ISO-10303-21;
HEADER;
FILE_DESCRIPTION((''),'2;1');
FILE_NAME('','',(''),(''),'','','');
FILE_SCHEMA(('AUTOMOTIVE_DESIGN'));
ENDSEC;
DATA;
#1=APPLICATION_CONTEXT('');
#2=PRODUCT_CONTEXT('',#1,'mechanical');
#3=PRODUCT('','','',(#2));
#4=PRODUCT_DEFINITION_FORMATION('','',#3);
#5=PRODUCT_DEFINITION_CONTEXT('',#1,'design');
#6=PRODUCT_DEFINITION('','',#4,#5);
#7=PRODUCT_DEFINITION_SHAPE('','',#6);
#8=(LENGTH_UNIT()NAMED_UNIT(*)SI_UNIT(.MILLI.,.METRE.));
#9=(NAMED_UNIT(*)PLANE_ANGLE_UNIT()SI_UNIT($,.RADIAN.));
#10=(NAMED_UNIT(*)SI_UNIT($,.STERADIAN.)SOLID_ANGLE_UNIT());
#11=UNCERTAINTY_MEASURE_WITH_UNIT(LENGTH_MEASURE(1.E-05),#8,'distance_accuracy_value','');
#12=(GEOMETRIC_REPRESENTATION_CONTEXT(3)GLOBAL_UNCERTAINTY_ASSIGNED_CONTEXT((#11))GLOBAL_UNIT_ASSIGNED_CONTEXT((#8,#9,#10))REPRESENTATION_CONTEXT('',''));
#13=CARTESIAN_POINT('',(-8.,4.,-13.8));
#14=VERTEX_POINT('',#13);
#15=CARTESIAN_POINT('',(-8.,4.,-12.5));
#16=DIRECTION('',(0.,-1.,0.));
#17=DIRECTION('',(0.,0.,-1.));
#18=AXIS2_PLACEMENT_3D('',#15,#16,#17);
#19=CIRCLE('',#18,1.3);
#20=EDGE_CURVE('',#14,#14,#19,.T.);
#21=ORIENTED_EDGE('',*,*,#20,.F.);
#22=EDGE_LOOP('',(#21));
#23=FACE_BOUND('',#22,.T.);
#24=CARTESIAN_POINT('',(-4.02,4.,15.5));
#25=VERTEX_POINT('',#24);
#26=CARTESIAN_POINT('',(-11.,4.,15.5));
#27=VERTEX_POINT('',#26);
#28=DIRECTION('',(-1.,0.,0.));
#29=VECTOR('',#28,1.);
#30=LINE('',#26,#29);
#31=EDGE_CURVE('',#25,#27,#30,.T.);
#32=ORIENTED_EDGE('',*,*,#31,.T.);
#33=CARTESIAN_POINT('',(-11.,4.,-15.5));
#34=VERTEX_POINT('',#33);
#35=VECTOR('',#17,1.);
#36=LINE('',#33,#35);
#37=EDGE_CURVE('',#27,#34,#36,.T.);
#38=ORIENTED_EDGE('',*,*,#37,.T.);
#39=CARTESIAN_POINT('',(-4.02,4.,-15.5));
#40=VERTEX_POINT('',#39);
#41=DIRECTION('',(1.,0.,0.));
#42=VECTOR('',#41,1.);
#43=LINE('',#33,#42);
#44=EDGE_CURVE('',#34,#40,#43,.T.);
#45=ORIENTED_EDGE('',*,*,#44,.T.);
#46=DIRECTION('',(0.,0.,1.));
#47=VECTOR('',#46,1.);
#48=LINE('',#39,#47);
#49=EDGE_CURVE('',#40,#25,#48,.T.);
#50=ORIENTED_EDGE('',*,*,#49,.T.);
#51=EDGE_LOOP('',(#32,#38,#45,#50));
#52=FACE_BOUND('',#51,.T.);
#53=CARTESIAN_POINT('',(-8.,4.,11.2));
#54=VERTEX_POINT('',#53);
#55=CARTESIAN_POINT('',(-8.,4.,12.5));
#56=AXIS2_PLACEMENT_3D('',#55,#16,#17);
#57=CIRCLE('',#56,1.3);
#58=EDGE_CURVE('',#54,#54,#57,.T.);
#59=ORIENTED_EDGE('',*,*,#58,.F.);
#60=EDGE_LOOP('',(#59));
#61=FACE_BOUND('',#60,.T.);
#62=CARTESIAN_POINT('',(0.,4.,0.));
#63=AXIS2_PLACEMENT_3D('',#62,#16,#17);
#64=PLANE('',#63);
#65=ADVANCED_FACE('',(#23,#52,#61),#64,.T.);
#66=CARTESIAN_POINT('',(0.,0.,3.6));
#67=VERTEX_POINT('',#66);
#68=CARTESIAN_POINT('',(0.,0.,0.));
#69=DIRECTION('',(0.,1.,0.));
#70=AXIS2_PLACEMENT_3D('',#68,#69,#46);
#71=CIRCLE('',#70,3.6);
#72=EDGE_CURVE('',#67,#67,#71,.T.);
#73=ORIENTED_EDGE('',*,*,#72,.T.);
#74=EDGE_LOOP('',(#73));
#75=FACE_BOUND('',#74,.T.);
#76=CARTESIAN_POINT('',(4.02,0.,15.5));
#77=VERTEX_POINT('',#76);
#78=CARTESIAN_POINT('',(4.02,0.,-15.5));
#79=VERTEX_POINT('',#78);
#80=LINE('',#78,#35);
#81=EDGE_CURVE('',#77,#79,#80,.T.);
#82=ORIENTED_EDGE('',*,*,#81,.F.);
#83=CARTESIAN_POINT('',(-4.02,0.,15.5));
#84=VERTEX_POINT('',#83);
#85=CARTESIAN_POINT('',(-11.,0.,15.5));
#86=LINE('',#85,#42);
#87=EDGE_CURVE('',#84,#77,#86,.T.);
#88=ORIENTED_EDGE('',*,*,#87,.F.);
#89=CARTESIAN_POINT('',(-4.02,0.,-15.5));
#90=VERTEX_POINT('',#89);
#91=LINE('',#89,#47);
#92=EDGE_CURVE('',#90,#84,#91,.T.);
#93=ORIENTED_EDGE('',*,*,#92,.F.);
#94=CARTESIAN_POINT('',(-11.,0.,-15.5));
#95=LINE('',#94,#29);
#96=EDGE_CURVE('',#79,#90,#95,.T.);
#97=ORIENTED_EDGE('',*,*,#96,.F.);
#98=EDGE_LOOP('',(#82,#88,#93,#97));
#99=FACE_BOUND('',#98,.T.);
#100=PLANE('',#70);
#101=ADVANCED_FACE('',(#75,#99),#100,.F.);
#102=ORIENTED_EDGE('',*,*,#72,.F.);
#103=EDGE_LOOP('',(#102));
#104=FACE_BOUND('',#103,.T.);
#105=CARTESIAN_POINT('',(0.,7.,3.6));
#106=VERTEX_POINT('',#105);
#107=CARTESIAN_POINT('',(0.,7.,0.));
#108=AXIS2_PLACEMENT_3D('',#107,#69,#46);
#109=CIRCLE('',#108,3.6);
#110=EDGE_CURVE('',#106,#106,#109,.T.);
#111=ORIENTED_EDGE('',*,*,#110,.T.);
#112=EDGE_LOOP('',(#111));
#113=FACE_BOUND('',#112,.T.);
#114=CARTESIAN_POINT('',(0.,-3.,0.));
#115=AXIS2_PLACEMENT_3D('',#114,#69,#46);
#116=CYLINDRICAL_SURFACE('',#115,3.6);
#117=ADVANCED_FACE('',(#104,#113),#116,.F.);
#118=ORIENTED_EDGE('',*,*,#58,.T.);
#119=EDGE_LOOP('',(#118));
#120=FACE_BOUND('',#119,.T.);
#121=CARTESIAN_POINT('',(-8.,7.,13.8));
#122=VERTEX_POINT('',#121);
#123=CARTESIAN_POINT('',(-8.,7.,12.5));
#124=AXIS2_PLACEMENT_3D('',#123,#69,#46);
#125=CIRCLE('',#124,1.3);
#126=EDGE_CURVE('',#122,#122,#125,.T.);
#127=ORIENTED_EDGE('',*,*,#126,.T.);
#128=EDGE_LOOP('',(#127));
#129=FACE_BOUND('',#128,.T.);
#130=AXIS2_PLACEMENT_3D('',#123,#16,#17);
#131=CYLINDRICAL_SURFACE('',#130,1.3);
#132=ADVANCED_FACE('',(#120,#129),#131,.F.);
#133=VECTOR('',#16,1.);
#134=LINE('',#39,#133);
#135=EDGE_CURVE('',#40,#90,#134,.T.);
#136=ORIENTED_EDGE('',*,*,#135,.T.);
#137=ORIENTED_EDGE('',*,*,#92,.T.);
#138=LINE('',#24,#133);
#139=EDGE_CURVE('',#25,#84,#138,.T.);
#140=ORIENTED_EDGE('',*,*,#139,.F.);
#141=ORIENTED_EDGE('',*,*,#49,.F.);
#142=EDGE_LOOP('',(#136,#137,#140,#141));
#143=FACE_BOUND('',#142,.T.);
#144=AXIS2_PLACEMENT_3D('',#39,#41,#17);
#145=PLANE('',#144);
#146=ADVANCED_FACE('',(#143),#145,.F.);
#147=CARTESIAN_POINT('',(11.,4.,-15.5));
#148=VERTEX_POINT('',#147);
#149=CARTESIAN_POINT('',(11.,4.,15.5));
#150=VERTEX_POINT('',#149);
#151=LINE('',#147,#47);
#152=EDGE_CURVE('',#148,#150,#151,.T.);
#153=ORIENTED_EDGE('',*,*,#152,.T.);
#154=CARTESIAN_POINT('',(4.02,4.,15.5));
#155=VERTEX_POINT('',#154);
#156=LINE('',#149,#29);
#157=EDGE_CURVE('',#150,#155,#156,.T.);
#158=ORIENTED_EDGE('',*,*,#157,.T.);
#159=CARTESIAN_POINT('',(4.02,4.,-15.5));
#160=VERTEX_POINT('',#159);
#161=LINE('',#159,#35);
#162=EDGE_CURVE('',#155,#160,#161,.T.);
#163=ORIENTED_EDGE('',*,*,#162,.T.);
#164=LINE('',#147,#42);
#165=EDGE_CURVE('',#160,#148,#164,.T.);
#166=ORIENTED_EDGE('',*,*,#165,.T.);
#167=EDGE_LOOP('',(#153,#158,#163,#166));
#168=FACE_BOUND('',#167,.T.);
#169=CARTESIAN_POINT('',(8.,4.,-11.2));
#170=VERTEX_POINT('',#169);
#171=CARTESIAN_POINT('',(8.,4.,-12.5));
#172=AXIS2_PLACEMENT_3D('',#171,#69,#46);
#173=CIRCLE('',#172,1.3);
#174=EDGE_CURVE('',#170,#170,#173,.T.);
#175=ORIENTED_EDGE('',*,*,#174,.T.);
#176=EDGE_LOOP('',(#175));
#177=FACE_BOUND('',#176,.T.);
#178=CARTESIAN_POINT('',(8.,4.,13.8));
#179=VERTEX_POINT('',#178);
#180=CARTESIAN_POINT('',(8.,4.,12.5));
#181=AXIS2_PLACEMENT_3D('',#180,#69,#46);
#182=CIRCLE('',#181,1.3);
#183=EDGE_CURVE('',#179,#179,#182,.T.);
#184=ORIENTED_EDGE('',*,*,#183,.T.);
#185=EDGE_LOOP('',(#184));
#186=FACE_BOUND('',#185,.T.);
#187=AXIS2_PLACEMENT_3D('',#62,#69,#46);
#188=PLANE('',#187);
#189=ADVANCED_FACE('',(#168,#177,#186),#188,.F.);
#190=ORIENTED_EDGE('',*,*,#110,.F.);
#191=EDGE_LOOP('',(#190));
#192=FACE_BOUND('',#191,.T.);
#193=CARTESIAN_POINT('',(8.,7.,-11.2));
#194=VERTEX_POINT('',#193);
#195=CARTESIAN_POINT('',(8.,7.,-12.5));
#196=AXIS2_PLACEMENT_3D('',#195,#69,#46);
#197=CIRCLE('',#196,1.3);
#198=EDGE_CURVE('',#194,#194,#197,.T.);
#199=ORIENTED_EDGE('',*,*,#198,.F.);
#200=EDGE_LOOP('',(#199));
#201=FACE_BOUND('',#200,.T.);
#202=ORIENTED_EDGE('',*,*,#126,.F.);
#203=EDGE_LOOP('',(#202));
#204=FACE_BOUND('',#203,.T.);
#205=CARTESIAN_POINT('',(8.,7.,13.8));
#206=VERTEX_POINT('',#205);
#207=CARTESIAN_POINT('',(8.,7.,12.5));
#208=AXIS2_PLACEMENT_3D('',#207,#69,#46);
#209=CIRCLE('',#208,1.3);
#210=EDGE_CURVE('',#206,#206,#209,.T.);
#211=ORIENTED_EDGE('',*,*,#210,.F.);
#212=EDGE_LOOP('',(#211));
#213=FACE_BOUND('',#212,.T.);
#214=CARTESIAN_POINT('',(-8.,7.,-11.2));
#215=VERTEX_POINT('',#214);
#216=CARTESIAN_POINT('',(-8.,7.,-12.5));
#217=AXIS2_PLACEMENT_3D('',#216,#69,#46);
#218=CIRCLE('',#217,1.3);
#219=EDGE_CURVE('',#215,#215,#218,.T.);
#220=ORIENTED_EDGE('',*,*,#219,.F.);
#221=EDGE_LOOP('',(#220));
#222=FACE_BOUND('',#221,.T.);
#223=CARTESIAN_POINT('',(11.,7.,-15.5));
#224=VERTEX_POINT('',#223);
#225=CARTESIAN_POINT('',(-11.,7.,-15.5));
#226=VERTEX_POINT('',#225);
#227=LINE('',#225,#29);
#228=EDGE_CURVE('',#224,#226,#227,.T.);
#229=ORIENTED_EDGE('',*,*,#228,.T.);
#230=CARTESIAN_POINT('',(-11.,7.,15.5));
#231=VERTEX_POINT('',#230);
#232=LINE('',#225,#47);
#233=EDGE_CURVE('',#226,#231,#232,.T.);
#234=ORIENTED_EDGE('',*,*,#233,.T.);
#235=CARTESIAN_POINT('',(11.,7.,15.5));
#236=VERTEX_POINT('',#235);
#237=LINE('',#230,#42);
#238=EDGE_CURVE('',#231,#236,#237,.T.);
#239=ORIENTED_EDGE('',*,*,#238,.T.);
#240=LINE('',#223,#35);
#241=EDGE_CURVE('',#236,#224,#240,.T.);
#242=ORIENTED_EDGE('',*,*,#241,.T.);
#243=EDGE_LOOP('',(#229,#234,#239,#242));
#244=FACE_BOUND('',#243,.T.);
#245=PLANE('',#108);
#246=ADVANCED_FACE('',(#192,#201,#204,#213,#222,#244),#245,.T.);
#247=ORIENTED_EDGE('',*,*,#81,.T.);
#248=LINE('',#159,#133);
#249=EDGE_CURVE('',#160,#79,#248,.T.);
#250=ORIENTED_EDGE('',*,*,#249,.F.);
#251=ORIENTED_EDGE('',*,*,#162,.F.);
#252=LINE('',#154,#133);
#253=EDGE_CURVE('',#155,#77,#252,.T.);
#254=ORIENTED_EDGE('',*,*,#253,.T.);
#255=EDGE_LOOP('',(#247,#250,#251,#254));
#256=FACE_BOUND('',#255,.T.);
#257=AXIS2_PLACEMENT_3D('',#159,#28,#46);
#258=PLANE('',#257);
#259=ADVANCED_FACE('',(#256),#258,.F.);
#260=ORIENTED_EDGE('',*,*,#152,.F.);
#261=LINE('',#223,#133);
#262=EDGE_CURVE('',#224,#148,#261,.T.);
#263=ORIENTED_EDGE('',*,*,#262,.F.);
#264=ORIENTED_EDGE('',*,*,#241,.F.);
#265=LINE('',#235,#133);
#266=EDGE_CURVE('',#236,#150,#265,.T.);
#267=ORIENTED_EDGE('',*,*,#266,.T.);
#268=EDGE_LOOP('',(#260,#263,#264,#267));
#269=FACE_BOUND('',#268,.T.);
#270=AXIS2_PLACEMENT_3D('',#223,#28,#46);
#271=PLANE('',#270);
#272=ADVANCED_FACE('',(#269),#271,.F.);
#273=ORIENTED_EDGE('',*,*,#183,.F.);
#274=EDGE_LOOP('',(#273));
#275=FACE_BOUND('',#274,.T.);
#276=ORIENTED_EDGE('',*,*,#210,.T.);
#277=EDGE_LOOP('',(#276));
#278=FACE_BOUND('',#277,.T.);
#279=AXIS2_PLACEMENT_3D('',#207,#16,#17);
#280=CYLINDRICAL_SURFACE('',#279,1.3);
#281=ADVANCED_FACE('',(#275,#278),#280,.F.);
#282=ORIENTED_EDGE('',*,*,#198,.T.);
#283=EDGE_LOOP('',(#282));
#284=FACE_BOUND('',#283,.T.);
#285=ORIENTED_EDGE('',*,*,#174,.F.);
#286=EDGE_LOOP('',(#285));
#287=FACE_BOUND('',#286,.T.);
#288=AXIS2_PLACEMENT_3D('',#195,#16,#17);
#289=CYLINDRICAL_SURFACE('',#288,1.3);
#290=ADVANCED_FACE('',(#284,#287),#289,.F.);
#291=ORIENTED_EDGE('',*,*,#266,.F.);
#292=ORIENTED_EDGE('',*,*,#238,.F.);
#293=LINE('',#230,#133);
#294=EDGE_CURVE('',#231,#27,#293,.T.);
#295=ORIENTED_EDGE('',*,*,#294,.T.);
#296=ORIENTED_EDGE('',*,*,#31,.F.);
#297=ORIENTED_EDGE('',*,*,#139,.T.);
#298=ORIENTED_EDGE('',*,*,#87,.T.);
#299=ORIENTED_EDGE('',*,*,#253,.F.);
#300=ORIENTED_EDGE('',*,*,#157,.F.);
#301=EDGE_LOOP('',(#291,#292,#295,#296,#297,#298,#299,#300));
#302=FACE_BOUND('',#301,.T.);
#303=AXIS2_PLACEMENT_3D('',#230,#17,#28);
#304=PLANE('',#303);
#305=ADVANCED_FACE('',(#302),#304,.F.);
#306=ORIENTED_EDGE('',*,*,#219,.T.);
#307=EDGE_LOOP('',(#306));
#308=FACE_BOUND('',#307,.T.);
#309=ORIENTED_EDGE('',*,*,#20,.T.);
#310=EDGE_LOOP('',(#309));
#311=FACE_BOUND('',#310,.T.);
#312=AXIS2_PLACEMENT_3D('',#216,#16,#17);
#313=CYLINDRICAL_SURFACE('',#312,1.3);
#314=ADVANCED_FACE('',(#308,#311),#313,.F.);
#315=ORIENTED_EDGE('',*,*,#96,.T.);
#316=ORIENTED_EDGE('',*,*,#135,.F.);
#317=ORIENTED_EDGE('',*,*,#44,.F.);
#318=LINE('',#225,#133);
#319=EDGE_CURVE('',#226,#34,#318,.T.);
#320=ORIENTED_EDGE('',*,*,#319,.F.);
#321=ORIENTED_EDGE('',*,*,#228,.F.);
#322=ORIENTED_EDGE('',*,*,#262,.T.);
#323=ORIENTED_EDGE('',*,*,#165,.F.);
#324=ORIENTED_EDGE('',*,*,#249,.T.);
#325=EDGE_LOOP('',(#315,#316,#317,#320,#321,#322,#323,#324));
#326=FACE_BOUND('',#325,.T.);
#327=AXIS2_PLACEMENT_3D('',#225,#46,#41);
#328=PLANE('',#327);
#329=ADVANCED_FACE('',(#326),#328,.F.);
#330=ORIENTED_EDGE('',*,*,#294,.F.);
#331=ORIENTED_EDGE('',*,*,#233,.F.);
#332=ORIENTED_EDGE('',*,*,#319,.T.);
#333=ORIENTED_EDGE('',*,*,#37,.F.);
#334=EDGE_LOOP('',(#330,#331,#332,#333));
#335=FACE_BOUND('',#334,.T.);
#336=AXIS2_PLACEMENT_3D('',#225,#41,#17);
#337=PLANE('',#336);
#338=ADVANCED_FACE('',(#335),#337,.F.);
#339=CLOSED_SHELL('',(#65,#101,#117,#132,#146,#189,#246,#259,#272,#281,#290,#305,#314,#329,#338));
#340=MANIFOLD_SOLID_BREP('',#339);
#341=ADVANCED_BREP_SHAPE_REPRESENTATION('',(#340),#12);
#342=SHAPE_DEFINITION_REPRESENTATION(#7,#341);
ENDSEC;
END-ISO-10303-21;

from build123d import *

# Parameters (mm, degrees)
SKETCH1_W           = 22
SKETCH1_H           = 31
SKETCH1_R           = 1.3
BOSS_EXTRUDE1_DEPTH = 7
SKETCH2_R           = 3.6
CUT_EXTRUDE1_DEPTH  = 10
SKETCH4_W           = 6.98
SKETCH4_H           = 31
CUT_EXTRUDE2_DEPTH  = 4


with BuildPart() as part:
    # Sketch1 → Boss-Extrude1 (new body)
    with BuildSketch(Plane(origin=(0, 0, 0), x_dir=(1, 0, 0), z_dir=(0, 1, 0))):
        Rectangle(SKETCH1_W, SKETCH1_H)
        with Locations((-8, 12.5)):
            Circle(SKETCH1_R, mode=Mode.SUBTRACT)
        with Locations((8, 12.5)):
            Circle(SKETCH1_R, mode=Mode.SUBTRACT)
        with Locations((-8, -12.5)):
            Circle(SKETCH1_R, mode=Mode.SUBTRACT)
        with Locations((8, -12.5)):
            Circle(SKETCH1_R, mode=Mode.SUBTRACT)
    extrude(amount=BOSS_EXTRUDE1_DEPTH)

    # Sketch2 → Cut-Extrude1 (cut)
    with BuildSketch(Plane(origin=(0, 7, 0), x_dir=(1, 0, 0), z_dir=(0, 1, 0))):
        Circle(SKETCH2_R)
    extrude(amount=-CUT_EXTRUDE1_DEPTH, mode=Mode.SUBTRACT)

    # Sketch4 → Cut-Extrude2 (cut)
    with BuildSketch(Plane.XZ):
        with Locations((7.51, 0)):
            Rectangle(SKETCH4_W, SKETCH4_H)
        with Locations((-7.51, 0)):
            Rectangle(SKETCH4_W, SKETCH4_H)
    extrude(amount=-CUT_EXTRUDE2_DEPTH, mode=Mode.SUBTRACT)


solid = part.part
